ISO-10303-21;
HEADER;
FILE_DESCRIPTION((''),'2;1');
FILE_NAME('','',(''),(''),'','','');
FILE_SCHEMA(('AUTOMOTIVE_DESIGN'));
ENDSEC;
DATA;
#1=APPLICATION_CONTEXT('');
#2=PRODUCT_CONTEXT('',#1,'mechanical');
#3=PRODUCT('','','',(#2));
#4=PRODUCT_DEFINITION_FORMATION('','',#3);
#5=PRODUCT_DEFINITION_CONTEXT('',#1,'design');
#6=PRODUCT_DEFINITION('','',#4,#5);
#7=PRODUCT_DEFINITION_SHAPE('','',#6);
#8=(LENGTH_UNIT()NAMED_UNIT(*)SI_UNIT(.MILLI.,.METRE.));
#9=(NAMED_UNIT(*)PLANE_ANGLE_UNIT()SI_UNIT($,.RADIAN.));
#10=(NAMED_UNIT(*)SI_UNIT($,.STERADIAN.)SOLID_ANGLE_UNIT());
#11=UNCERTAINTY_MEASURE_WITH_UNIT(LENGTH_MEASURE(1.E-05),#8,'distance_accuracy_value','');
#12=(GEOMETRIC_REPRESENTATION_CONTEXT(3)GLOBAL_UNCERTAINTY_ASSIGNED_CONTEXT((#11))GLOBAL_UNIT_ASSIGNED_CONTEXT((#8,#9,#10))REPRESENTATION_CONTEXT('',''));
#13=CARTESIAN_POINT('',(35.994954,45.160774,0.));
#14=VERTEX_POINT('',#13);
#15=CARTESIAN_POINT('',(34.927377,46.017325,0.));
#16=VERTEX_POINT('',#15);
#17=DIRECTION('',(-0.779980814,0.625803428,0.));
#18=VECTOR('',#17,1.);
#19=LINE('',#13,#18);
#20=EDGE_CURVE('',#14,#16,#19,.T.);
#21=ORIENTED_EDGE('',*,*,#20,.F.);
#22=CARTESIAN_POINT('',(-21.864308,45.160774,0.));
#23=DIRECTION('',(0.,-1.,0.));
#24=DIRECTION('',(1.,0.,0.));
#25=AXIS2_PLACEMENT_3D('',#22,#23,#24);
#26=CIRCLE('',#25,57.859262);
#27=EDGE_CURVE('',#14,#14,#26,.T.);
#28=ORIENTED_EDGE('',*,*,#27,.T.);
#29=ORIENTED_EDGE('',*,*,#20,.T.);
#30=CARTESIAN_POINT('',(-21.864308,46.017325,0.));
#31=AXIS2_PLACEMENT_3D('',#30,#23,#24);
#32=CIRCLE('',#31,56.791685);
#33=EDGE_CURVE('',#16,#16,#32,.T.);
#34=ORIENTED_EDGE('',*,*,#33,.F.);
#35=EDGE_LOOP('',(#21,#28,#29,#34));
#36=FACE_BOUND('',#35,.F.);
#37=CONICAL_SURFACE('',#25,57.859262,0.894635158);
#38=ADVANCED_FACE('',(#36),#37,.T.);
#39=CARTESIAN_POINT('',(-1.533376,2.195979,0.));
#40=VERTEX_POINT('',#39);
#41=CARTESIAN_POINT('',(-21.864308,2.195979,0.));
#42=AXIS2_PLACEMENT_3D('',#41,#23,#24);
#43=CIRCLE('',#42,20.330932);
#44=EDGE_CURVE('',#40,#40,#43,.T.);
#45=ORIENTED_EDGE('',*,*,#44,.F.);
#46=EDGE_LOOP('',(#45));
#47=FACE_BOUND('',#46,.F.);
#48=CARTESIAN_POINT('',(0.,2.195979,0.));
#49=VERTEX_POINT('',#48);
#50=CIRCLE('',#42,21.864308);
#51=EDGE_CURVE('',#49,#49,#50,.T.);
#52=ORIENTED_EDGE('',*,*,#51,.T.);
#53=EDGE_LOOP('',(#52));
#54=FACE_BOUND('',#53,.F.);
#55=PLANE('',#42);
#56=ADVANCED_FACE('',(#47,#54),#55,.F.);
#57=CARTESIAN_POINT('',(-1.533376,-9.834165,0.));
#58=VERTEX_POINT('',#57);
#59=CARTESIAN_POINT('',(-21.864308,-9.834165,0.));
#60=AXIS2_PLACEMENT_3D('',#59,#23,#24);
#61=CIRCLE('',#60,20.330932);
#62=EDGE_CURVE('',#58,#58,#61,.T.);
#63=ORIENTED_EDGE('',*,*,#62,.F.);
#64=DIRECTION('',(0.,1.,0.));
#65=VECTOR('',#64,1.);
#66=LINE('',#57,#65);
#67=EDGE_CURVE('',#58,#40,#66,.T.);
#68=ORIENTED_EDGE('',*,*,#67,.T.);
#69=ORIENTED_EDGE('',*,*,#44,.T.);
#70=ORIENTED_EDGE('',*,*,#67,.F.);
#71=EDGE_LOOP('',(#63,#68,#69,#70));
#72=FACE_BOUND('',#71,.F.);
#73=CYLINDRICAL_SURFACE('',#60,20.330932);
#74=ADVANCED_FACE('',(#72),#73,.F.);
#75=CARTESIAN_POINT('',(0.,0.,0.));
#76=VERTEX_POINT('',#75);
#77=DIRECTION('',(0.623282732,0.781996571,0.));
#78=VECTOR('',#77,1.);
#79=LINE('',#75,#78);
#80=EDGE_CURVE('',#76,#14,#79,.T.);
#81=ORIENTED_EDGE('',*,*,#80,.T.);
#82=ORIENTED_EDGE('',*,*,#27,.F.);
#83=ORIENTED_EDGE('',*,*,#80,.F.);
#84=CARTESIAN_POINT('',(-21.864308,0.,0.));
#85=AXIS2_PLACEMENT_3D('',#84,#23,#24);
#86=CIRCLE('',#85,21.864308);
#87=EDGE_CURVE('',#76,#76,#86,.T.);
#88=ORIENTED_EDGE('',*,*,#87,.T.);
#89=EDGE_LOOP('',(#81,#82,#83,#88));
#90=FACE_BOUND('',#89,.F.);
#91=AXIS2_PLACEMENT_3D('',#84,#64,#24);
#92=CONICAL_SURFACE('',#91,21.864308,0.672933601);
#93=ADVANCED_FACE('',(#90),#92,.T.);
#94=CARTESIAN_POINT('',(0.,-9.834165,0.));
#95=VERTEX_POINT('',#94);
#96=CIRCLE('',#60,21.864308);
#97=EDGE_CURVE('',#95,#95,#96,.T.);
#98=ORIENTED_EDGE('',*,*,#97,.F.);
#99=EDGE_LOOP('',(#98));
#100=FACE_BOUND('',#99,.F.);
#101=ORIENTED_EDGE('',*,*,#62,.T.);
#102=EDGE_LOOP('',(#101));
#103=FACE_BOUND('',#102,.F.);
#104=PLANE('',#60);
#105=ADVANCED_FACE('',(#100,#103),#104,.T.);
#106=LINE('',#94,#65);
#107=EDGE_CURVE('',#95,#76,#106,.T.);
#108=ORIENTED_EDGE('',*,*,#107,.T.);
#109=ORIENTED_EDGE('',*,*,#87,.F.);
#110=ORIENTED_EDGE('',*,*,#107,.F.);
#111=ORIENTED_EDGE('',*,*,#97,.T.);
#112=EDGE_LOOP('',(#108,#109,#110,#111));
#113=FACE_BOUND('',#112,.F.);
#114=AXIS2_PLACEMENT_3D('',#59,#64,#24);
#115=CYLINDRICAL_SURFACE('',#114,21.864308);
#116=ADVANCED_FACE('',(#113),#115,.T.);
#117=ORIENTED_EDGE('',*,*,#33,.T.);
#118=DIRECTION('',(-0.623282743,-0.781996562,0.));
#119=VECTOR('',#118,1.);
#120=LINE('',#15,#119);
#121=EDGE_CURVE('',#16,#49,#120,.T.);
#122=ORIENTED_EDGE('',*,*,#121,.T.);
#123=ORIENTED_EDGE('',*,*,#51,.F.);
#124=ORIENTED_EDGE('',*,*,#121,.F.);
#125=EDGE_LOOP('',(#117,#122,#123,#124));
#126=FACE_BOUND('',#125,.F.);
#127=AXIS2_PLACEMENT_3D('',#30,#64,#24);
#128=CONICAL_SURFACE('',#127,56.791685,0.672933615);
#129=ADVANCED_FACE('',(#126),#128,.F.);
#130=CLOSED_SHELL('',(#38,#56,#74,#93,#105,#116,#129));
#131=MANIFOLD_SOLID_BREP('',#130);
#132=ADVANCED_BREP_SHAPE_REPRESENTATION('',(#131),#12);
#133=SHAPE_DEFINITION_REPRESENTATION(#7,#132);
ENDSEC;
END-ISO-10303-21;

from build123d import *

# Parameters (mm, degrees)
F2_R     = 20.330932
F3_DEPTH = 76.2


with BuildPart() as f1:
    # F0 (on Top) → F1 (revolve)
    with BuildSketch(Plane.XY):
        Polygon((34.927377, 46.017325), (0, 2.195979), (-21.864308, 2.195979), (-21.864308, -9.834165), (0, -9.834165), (0, 0), (35.994954, 45.160774), align=None)
    revolve(axis=Axis((-21.864308, -3.819093, 0), (0, -1, 0)))

    # F2 (on face) → F3 (cut)
    with BuildSketch(Plane.XZ.offset(9.834165)):
        with Locations((-21.864308, 0)):
            Circle(F2_R)
    extrude(amount=-F3_DEPTH, mode=Mode.SUBTRACT)


solid = f1.part
